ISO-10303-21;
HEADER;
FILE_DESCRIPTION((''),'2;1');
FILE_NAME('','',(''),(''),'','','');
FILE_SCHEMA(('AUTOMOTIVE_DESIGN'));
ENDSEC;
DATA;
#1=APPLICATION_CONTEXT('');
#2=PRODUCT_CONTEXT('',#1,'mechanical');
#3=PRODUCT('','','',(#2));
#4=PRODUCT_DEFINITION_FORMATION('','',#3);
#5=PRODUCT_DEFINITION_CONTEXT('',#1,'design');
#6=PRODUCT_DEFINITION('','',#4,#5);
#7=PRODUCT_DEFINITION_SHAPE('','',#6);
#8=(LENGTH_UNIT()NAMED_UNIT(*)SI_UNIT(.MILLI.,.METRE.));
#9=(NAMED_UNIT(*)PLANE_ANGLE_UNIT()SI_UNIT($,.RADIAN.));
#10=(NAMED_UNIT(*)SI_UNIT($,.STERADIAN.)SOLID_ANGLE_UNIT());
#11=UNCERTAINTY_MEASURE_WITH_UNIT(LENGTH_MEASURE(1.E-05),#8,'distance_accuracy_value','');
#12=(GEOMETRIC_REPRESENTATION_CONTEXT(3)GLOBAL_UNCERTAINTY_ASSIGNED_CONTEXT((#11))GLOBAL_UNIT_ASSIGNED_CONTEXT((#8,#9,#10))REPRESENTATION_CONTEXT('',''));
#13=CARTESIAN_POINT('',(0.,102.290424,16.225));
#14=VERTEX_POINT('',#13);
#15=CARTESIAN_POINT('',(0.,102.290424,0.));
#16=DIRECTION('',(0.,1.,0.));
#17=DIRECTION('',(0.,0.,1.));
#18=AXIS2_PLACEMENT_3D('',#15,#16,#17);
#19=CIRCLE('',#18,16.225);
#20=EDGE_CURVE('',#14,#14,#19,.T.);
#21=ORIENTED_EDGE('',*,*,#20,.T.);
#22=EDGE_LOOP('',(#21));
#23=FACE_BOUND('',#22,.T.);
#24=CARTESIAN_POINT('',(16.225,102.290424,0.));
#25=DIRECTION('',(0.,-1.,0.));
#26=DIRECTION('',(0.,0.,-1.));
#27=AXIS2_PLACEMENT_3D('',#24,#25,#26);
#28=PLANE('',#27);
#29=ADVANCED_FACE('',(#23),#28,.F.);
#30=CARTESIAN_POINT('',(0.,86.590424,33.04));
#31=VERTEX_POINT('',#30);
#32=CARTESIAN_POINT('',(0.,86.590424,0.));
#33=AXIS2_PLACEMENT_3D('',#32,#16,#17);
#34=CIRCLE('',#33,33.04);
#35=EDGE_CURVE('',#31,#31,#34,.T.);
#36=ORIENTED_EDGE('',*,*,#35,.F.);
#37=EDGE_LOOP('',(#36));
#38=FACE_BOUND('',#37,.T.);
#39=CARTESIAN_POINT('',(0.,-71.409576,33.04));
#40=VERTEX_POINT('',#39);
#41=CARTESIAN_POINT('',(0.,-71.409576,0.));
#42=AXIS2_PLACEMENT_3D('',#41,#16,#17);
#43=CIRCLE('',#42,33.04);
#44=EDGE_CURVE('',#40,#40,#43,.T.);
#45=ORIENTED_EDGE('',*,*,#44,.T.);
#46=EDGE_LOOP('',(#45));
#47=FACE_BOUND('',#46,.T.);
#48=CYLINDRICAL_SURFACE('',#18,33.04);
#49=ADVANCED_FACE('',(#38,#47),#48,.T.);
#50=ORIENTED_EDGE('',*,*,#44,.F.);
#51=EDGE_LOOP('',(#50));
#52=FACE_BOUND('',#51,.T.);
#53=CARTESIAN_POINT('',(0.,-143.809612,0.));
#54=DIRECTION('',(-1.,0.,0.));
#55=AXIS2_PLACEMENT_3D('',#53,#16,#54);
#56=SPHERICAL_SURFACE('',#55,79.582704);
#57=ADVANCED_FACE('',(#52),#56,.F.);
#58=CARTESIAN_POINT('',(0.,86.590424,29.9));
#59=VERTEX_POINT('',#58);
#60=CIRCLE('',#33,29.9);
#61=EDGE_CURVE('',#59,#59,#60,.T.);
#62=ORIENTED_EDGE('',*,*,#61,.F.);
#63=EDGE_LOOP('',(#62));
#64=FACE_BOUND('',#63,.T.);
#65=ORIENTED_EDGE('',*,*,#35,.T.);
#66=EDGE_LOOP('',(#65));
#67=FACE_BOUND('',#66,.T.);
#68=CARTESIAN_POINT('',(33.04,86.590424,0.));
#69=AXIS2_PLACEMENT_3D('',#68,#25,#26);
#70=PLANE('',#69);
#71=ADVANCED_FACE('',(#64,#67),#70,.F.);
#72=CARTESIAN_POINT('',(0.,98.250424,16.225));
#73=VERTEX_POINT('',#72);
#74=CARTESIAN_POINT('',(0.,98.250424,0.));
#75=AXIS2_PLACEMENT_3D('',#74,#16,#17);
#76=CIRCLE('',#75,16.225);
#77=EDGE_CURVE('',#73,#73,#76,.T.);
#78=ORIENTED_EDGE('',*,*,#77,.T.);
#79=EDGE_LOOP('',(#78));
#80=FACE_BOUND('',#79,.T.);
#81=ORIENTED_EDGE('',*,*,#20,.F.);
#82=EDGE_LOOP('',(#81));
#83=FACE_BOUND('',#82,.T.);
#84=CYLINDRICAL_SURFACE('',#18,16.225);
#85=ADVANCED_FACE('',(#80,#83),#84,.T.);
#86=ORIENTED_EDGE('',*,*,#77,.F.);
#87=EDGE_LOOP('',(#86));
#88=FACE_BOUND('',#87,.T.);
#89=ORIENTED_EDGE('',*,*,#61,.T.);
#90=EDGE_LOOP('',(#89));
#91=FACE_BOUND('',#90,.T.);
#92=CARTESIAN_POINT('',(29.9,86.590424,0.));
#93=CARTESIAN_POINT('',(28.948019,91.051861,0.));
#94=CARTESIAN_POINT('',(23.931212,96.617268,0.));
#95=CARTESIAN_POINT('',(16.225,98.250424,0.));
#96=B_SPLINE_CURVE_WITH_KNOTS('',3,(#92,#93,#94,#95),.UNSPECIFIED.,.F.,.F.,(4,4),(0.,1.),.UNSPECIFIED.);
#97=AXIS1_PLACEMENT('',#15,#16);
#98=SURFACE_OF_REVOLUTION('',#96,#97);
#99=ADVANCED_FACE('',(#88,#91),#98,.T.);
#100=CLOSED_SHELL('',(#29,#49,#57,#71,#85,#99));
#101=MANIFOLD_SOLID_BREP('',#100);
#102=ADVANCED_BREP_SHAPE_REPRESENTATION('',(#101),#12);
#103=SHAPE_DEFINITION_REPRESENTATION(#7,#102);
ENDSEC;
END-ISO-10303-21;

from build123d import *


with BuildPart() as part:
    # Sketch1 → Revolve1 (revolve)
    with BuildSketch(Plane.XY):
        with BuildLine():
            Line((0, 102.290424395), (0, -64.226907383))
            ThreePointArc((0, -64.226907383), (16.90585936, -66.043303148), (33.04, -71.409575605))
            Line((33.04, -71.409575605), (33.04, 86.590424395))
            Line((33.04, 86.590424395), (29.9, 86.590424395))
            add(Edge.make_bspline(
                [(29.9, 86.590424395), (28.948018921, 91.051860909), (23.931212043, 96.617268194), (16.225, 98.250424395)],
                knots=[0, 0, 0, 0, 1, 1, 1, 1], degree=3))
            Line((16.225, 98.250424395), (16.225, 102.290424395))
            Line((16.225, 102.290424395), (0, 102.290424395))
        make_face()
    revolve(axis=Axis((0, 102.290424395, 0), (0, -1, 0)))


solid = part.part
